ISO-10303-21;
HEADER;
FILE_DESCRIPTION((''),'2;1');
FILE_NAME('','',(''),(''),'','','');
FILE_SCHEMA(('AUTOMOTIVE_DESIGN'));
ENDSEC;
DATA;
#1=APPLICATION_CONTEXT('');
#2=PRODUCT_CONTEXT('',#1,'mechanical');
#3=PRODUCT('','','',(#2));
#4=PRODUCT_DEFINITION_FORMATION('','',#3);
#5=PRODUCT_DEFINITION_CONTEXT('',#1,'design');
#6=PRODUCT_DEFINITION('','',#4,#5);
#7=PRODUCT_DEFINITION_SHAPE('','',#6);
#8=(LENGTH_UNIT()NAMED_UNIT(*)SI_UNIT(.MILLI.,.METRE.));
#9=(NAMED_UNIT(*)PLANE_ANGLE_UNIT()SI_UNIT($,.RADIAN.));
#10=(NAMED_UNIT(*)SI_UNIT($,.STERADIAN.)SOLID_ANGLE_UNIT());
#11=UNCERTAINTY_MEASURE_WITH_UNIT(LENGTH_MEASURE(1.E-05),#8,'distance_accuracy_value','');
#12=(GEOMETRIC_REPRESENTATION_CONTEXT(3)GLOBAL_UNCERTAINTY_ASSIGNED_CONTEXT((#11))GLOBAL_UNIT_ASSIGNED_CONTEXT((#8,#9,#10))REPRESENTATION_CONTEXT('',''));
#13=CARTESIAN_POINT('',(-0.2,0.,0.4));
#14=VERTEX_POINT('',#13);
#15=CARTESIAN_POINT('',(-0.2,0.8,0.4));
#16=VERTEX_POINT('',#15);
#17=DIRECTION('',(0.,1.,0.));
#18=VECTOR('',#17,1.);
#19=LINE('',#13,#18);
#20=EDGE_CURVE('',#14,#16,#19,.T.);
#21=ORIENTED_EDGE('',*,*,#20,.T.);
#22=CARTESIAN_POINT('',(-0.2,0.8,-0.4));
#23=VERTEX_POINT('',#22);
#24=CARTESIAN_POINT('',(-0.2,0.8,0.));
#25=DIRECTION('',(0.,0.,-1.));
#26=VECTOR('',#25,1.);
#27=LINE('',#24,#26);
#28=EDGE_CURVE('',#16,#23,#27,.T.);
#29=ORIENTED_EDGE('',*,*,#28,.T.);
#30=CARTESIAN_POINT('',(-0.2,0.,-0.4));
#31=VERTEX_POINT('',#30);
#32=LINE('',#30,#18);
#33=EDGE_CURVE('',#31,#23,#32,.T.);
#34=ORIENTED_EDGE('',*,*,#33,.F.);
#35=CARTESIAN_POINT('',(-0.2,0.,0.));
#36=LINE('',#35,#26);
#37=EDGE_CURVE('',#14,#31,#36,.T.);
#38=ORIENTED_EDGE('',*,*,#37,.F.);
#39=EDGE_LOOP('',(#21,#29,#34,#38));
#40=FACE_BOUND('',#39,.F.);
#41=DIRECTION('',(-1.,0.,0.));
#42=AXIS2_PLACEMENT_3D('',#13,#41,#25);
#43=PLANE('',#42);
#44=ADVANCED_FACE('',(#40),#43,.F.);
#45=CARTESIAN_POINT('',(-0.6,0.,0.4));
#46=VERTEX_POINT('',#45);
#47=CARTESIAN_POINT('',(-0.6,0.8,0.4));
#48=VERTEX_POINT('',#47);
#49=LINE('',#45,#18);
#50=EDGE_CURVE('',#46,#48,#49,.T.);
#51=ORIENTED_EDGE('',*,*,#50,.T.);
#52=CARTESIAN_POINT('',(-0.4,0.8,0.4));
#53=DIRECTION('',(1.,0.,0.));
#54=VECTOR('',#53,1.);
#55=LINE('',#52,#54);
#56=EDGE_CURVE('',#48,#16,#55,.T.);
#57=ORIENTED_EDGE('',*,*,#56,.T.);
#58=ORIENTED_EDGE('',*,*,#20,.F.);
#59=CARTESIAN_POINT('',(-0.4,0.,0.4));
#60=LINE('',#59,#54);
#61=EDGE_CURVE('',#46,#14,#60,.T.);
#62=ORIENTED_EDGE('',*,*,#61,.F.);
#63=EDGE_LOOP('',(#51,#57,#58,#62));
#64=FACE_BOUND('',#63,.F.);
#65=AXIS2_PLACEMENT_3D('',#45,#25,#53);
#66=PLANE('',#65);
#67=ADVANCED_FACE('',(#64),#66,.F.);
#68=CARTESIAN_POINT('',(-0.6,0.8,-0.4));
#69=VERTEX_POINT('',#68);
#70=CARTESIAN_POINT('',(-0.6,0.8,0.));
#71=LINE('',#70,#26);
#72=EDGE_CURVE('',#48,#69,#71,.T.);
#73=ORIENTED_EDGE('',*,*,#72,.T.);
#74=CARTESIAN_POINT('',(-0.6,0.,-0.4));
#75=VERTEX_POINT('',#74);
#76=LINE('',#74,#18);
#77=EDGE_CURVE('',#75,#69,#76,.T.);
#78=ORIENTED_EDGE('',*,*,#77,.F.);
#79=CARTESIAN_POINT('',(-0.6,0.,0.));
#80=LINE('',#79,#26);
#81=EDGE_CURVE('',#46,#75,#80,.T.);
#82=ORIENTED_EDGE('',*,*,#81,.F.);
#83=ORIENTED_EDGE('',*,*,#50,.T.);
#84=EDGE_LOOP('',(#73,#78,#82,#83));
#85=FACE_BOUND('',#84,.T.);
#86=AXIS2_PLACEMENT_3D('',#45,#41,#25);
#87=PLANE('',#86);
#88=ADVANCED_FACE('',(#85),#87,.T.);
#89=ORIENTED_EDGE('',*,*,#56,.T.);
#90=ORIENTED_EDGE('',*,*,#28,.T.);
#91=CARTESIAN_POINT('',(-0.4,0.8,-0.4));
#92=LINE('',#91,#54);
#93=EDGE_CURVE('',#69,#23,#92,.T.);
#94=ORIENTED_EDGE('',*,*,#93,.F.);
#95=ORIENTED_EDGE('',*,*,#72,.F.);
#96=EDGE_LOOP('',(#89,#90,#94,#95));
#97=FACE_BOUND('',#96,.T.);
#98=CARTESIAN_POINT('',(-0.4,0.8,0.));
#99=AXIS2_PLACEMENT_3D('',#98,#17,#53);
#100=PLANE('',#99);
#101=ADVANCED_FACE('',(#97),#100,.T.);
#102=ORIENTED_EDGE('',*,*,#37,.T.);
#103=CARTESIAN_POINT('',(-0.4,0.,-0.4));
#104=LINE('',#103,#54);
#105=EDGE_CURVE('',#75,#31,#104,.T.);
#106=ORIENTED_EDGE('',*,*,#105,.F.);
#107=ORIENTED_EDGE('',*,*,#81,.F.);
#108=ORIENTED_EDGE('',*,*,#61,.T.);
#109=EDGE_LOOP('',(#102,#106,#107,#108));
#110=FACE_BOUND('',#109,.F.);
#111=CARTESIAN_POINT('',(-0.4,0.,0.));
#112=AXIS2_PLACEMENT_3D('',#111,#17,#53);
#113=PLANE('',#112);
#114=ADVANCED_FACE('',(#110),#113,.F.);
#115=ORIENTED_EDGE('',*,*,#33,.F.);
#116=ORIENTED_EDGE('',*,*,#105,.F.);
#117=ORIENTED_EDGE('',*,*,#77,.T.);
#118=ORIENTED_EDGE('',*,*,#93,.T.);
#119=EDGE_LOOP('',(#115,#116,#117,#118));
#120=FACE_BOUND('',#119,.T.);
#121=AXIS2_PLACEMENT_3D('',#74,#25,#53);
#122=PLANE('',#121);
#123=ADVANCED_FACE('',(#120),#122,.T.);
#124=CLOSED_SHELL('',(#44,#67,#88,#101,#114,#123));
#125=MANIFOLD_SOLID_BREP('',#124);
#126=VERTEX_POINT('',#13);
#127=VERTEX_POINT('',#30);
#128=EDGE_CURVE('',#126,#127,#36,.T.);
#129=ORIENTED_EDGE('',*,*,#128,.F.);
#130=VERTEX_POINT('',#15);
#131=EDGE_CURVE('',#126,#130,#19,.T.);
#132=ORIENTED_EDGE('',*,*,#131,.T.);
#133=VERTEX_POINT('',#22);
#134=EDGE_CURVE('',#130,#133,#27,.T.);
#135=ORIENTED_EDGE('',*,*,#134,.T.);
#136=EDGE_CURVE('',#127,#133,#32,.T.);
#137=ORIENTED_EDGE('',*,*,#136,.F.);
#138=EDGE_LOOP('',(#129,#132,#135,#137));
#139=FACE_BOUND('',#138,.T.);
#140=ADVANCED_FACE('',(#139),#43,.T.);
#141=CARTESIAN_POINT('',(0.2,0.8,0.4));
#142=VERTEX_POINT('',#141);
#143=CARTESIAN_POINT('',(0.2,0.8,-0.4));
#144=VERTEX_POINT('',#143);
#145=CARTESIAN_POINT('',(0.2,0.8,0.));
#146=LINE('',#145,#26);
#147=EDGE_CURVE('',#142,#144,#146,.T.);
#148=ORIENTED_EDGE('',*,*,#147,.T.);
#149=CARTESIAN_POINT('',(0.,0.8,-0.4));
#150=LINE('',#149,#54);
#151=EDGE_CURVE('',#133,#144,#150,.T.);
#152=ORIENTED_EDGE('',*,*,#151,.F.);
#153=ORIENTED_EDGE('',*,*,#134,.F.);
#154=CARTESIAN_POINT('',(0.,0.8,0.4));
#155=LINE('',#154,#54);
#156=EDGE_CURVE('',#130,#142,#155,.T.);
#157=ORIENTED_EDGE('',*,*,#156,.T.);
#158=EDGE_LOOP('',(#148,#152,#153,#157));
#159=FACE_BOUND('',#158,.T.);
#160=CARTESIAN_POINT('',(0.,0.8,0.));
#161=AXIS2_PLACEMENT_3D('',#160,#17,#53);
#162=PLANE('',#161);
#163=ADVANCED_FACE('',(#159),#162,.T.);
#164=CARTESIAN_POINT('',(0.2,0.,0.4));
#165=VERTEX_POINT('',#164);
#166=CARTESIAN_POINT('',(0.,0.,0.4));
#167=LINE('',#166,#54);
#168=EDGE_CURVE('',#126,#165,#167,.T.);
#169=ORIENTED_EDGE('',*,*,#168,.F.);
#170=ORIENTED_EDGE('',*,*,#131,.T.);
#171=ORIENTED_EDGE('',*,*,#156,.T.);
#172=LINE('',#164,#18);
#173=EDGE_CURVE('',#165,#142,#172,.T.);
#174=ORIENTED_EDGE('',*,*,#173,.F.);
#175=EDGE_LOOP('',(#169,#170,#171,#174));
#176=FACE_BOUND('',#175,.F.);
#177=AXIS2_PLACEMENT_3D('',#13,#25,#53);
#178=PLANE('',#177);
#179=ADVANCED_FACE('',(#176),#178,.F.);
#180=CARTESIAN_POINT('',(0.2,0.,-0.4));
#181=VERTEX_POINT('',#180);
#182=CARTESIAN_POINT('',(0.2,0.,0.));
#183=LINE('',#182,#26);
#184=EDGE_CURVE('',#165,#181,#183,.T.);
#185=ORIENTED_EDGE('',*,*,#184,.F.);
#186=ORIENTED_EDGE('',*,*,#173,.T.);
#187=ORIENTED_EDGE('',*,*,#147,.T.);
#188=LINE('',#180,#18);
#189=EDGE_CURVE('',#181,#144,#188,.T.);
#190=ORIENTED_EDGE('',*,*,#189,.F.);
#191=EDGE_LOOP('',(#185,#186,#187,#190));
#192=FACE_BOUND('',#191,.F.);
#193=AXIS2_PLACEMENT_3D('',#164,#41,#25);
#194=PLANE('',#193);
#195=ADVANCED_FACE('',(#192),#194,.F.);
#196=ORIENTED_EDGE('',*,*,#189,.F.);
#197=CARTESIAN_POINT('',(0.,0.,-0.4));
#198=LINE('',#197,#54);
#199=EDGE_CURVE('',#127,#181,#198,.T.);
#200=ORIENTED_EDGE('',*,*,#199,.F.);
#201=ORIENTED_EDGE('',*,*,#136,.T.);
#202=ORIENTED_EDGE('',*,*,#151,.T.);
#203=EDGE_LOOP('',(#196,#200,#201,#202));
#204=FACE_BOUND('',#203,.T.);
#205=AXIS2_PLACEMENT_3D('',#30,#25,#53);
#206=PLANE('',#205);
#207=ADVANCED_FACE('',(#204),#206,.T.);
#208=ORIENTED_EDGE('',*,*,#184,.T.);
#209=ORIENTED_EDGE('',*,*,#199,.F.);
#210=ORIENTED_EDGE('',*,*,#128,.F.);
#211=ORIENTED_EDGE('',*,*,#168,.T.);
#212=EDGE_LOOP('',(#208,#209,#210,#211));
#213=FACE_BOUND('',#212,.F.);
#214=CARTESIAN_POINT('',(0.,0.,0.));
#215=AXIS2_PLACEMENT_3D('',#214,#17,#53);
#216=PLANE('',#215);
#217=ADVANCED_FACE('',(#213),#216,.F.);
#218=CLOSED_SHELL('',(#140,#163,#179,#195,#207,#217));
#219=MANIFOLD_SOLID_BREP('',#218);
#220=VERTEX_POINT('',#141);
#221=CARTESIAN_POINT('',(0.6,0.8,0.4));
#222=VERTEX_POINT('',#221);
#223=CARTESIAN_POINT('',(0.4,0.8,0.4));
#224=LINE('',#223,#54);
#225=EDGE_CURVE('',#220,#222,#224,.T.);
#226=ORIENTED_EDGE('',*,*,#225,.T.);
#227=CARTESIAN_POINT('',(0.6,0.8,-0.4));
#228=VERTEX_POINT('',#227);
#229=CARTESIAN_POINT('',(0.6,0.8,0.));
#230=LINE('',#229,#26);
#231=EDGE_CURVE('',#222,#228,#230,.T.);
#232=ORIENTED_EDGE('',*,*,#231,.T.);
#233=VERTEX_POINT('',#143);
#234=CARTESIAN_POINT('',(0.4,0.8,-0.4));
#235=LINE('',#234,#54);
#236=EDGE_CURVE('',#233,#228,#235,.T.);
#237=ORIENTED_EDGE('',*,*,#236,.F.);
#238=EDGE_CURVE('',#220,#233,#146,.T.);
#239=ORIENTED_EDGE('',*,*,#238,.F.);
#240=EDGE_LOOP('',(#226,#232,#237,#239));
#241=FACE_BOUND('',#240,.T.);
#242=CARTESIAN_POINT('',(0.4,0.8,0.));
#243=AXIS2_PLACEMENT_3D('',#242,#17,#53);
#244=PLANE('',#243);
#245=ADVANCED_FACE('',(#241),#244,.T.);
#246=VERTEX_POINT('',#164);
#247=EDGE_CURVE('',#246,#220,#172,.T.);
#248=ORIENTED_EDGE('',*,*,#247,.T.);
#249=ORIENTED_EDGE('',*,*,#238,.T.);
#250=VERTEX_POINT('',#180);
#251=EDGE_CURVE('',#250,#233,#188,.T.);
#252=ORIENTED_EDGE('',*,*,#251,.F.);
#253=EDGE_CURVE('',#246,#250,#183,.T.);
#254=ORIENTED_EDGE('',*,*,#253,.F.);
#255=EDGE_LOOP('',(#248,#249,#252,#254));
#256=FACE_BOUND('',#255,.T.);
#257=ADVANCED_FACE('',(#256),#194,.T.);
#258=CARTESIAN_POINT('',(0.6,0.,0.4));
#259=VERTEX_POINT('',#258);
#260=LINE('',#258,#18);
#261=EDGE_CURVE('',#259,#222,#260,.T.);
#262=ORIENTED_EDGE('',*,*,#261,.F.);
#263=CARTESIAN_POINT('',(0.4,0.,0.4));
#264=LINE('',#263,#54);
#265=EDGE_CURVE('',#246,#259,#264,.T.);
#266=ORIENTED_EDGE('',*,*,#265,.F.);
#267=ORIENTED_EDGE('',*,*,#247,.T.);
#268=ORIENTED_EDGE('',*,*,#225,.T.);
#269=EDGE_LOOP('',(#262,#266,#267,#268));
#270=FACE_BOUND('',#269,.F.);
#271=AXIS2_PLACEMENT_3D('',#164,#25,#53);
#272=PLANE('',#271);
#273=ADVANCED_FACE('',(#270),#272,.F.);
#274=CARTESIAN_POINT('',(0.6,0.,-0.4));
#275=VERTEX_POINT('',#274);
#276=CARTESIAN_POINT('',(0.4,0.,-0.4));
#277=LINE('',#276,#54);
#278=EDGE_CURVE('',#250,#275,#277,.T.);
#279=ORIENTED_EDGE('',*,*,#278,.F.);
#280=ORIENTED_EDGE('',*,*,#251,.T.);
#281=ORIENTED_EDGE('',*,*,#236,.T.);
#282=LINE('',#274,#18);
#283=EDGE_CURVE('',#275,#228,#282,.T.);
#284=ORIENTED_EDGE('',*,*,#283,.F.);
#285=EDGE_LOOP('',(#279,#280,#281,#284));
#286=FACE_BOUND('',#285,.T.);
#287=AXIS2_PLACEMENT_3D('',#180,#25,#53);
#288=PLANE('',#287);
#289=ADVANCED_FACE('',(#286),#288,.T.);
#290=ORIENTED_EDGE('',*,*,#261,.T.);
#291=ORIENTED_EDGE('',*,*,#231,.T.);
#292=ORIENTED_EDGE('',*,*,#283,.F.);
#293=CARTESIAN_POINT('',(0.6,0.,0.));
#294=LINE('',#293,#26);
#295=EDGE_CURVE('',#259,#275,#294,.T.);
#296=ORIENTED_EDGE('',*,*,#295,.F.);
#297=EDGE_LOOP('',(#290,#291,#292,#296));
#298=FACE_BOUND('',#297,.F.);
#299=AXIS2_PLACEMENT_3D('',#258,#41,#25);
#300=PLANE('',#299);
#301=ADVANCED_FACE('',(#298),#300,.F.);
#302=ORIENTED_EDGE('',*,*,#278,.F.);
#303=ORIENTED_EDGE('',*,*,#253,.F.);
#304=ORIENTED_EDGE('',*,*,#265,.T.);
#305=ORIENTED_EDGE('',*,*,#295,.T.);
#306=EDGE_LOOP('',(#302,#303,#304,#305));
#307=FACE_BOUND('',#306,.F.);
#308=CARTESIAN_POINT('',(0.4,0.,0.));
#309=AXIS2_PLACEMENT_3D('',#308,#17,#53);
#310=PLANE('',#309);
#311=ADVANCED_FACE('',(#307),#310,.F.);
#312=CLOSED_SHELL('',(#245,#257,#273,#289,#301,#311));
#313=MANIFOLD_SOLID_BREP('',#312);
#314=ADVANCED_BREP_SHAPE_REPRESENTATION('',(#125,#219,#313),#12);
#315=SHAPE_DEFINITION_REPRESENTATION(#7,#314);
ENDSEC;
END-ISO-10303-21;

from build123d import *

# Parameters (mm, degrees)
SKETCH1_W             = 0.4
SKETCH1_H             = 0.8
BOSS_EXTRUDE1_DEPTH   = 0.8
SKETCH2_W             = 0.4
SKETCH2_H             = 0.8
BOSS_EXTRUDE2_DEPTH   = 0.8
BOSS_EXTRUDE2_2_DEPTH = 0.8


with BuildPart() as part:
    # Sketch1 → Boss-Extrude1 (new body)
    with BuildSketch(Plane(origin=(0, 0, 0), x_dir=(1, 0, 0), z_dir=(0, 1, 0))):
        Rectangle(SKETCH1_W, SKETCH1_H)
    extrude(amount=BOSS_EXTRUDE1_DEPTH)


with BuildPart() as body_2:
    # Sketch2 → Boss-Extrude2 (new body)
    with BuildSketch(Plane(origin=(0, 0, 0), x_dir=(1, 0, 0), z_dir=(0, 1, 0))):
        with Locations((-0.4, 0)):
            Rectangle(SKETCH2_W, SKETCH2_H)
    extrude(amount=BOSS_EXTRUDE2_DEPTH)


with BuildPart() as body_3:
    # Sketch2 → Boss-Extrude2 2 (new body)
    with BuildSketch(Plane(origin=(0, 0, 0), x_dir=(1, 0, 0), z_dir=(0, 1, 0))):
        with Locations((0.4, 0)):
            Rectangle(SKETCH2_W, SKETCH2_H)
    extrude(amount=BOSS_EXTRUDE2_2_DEPTH)


solid = Compound([part.part, body_2.part, body_3.part])
